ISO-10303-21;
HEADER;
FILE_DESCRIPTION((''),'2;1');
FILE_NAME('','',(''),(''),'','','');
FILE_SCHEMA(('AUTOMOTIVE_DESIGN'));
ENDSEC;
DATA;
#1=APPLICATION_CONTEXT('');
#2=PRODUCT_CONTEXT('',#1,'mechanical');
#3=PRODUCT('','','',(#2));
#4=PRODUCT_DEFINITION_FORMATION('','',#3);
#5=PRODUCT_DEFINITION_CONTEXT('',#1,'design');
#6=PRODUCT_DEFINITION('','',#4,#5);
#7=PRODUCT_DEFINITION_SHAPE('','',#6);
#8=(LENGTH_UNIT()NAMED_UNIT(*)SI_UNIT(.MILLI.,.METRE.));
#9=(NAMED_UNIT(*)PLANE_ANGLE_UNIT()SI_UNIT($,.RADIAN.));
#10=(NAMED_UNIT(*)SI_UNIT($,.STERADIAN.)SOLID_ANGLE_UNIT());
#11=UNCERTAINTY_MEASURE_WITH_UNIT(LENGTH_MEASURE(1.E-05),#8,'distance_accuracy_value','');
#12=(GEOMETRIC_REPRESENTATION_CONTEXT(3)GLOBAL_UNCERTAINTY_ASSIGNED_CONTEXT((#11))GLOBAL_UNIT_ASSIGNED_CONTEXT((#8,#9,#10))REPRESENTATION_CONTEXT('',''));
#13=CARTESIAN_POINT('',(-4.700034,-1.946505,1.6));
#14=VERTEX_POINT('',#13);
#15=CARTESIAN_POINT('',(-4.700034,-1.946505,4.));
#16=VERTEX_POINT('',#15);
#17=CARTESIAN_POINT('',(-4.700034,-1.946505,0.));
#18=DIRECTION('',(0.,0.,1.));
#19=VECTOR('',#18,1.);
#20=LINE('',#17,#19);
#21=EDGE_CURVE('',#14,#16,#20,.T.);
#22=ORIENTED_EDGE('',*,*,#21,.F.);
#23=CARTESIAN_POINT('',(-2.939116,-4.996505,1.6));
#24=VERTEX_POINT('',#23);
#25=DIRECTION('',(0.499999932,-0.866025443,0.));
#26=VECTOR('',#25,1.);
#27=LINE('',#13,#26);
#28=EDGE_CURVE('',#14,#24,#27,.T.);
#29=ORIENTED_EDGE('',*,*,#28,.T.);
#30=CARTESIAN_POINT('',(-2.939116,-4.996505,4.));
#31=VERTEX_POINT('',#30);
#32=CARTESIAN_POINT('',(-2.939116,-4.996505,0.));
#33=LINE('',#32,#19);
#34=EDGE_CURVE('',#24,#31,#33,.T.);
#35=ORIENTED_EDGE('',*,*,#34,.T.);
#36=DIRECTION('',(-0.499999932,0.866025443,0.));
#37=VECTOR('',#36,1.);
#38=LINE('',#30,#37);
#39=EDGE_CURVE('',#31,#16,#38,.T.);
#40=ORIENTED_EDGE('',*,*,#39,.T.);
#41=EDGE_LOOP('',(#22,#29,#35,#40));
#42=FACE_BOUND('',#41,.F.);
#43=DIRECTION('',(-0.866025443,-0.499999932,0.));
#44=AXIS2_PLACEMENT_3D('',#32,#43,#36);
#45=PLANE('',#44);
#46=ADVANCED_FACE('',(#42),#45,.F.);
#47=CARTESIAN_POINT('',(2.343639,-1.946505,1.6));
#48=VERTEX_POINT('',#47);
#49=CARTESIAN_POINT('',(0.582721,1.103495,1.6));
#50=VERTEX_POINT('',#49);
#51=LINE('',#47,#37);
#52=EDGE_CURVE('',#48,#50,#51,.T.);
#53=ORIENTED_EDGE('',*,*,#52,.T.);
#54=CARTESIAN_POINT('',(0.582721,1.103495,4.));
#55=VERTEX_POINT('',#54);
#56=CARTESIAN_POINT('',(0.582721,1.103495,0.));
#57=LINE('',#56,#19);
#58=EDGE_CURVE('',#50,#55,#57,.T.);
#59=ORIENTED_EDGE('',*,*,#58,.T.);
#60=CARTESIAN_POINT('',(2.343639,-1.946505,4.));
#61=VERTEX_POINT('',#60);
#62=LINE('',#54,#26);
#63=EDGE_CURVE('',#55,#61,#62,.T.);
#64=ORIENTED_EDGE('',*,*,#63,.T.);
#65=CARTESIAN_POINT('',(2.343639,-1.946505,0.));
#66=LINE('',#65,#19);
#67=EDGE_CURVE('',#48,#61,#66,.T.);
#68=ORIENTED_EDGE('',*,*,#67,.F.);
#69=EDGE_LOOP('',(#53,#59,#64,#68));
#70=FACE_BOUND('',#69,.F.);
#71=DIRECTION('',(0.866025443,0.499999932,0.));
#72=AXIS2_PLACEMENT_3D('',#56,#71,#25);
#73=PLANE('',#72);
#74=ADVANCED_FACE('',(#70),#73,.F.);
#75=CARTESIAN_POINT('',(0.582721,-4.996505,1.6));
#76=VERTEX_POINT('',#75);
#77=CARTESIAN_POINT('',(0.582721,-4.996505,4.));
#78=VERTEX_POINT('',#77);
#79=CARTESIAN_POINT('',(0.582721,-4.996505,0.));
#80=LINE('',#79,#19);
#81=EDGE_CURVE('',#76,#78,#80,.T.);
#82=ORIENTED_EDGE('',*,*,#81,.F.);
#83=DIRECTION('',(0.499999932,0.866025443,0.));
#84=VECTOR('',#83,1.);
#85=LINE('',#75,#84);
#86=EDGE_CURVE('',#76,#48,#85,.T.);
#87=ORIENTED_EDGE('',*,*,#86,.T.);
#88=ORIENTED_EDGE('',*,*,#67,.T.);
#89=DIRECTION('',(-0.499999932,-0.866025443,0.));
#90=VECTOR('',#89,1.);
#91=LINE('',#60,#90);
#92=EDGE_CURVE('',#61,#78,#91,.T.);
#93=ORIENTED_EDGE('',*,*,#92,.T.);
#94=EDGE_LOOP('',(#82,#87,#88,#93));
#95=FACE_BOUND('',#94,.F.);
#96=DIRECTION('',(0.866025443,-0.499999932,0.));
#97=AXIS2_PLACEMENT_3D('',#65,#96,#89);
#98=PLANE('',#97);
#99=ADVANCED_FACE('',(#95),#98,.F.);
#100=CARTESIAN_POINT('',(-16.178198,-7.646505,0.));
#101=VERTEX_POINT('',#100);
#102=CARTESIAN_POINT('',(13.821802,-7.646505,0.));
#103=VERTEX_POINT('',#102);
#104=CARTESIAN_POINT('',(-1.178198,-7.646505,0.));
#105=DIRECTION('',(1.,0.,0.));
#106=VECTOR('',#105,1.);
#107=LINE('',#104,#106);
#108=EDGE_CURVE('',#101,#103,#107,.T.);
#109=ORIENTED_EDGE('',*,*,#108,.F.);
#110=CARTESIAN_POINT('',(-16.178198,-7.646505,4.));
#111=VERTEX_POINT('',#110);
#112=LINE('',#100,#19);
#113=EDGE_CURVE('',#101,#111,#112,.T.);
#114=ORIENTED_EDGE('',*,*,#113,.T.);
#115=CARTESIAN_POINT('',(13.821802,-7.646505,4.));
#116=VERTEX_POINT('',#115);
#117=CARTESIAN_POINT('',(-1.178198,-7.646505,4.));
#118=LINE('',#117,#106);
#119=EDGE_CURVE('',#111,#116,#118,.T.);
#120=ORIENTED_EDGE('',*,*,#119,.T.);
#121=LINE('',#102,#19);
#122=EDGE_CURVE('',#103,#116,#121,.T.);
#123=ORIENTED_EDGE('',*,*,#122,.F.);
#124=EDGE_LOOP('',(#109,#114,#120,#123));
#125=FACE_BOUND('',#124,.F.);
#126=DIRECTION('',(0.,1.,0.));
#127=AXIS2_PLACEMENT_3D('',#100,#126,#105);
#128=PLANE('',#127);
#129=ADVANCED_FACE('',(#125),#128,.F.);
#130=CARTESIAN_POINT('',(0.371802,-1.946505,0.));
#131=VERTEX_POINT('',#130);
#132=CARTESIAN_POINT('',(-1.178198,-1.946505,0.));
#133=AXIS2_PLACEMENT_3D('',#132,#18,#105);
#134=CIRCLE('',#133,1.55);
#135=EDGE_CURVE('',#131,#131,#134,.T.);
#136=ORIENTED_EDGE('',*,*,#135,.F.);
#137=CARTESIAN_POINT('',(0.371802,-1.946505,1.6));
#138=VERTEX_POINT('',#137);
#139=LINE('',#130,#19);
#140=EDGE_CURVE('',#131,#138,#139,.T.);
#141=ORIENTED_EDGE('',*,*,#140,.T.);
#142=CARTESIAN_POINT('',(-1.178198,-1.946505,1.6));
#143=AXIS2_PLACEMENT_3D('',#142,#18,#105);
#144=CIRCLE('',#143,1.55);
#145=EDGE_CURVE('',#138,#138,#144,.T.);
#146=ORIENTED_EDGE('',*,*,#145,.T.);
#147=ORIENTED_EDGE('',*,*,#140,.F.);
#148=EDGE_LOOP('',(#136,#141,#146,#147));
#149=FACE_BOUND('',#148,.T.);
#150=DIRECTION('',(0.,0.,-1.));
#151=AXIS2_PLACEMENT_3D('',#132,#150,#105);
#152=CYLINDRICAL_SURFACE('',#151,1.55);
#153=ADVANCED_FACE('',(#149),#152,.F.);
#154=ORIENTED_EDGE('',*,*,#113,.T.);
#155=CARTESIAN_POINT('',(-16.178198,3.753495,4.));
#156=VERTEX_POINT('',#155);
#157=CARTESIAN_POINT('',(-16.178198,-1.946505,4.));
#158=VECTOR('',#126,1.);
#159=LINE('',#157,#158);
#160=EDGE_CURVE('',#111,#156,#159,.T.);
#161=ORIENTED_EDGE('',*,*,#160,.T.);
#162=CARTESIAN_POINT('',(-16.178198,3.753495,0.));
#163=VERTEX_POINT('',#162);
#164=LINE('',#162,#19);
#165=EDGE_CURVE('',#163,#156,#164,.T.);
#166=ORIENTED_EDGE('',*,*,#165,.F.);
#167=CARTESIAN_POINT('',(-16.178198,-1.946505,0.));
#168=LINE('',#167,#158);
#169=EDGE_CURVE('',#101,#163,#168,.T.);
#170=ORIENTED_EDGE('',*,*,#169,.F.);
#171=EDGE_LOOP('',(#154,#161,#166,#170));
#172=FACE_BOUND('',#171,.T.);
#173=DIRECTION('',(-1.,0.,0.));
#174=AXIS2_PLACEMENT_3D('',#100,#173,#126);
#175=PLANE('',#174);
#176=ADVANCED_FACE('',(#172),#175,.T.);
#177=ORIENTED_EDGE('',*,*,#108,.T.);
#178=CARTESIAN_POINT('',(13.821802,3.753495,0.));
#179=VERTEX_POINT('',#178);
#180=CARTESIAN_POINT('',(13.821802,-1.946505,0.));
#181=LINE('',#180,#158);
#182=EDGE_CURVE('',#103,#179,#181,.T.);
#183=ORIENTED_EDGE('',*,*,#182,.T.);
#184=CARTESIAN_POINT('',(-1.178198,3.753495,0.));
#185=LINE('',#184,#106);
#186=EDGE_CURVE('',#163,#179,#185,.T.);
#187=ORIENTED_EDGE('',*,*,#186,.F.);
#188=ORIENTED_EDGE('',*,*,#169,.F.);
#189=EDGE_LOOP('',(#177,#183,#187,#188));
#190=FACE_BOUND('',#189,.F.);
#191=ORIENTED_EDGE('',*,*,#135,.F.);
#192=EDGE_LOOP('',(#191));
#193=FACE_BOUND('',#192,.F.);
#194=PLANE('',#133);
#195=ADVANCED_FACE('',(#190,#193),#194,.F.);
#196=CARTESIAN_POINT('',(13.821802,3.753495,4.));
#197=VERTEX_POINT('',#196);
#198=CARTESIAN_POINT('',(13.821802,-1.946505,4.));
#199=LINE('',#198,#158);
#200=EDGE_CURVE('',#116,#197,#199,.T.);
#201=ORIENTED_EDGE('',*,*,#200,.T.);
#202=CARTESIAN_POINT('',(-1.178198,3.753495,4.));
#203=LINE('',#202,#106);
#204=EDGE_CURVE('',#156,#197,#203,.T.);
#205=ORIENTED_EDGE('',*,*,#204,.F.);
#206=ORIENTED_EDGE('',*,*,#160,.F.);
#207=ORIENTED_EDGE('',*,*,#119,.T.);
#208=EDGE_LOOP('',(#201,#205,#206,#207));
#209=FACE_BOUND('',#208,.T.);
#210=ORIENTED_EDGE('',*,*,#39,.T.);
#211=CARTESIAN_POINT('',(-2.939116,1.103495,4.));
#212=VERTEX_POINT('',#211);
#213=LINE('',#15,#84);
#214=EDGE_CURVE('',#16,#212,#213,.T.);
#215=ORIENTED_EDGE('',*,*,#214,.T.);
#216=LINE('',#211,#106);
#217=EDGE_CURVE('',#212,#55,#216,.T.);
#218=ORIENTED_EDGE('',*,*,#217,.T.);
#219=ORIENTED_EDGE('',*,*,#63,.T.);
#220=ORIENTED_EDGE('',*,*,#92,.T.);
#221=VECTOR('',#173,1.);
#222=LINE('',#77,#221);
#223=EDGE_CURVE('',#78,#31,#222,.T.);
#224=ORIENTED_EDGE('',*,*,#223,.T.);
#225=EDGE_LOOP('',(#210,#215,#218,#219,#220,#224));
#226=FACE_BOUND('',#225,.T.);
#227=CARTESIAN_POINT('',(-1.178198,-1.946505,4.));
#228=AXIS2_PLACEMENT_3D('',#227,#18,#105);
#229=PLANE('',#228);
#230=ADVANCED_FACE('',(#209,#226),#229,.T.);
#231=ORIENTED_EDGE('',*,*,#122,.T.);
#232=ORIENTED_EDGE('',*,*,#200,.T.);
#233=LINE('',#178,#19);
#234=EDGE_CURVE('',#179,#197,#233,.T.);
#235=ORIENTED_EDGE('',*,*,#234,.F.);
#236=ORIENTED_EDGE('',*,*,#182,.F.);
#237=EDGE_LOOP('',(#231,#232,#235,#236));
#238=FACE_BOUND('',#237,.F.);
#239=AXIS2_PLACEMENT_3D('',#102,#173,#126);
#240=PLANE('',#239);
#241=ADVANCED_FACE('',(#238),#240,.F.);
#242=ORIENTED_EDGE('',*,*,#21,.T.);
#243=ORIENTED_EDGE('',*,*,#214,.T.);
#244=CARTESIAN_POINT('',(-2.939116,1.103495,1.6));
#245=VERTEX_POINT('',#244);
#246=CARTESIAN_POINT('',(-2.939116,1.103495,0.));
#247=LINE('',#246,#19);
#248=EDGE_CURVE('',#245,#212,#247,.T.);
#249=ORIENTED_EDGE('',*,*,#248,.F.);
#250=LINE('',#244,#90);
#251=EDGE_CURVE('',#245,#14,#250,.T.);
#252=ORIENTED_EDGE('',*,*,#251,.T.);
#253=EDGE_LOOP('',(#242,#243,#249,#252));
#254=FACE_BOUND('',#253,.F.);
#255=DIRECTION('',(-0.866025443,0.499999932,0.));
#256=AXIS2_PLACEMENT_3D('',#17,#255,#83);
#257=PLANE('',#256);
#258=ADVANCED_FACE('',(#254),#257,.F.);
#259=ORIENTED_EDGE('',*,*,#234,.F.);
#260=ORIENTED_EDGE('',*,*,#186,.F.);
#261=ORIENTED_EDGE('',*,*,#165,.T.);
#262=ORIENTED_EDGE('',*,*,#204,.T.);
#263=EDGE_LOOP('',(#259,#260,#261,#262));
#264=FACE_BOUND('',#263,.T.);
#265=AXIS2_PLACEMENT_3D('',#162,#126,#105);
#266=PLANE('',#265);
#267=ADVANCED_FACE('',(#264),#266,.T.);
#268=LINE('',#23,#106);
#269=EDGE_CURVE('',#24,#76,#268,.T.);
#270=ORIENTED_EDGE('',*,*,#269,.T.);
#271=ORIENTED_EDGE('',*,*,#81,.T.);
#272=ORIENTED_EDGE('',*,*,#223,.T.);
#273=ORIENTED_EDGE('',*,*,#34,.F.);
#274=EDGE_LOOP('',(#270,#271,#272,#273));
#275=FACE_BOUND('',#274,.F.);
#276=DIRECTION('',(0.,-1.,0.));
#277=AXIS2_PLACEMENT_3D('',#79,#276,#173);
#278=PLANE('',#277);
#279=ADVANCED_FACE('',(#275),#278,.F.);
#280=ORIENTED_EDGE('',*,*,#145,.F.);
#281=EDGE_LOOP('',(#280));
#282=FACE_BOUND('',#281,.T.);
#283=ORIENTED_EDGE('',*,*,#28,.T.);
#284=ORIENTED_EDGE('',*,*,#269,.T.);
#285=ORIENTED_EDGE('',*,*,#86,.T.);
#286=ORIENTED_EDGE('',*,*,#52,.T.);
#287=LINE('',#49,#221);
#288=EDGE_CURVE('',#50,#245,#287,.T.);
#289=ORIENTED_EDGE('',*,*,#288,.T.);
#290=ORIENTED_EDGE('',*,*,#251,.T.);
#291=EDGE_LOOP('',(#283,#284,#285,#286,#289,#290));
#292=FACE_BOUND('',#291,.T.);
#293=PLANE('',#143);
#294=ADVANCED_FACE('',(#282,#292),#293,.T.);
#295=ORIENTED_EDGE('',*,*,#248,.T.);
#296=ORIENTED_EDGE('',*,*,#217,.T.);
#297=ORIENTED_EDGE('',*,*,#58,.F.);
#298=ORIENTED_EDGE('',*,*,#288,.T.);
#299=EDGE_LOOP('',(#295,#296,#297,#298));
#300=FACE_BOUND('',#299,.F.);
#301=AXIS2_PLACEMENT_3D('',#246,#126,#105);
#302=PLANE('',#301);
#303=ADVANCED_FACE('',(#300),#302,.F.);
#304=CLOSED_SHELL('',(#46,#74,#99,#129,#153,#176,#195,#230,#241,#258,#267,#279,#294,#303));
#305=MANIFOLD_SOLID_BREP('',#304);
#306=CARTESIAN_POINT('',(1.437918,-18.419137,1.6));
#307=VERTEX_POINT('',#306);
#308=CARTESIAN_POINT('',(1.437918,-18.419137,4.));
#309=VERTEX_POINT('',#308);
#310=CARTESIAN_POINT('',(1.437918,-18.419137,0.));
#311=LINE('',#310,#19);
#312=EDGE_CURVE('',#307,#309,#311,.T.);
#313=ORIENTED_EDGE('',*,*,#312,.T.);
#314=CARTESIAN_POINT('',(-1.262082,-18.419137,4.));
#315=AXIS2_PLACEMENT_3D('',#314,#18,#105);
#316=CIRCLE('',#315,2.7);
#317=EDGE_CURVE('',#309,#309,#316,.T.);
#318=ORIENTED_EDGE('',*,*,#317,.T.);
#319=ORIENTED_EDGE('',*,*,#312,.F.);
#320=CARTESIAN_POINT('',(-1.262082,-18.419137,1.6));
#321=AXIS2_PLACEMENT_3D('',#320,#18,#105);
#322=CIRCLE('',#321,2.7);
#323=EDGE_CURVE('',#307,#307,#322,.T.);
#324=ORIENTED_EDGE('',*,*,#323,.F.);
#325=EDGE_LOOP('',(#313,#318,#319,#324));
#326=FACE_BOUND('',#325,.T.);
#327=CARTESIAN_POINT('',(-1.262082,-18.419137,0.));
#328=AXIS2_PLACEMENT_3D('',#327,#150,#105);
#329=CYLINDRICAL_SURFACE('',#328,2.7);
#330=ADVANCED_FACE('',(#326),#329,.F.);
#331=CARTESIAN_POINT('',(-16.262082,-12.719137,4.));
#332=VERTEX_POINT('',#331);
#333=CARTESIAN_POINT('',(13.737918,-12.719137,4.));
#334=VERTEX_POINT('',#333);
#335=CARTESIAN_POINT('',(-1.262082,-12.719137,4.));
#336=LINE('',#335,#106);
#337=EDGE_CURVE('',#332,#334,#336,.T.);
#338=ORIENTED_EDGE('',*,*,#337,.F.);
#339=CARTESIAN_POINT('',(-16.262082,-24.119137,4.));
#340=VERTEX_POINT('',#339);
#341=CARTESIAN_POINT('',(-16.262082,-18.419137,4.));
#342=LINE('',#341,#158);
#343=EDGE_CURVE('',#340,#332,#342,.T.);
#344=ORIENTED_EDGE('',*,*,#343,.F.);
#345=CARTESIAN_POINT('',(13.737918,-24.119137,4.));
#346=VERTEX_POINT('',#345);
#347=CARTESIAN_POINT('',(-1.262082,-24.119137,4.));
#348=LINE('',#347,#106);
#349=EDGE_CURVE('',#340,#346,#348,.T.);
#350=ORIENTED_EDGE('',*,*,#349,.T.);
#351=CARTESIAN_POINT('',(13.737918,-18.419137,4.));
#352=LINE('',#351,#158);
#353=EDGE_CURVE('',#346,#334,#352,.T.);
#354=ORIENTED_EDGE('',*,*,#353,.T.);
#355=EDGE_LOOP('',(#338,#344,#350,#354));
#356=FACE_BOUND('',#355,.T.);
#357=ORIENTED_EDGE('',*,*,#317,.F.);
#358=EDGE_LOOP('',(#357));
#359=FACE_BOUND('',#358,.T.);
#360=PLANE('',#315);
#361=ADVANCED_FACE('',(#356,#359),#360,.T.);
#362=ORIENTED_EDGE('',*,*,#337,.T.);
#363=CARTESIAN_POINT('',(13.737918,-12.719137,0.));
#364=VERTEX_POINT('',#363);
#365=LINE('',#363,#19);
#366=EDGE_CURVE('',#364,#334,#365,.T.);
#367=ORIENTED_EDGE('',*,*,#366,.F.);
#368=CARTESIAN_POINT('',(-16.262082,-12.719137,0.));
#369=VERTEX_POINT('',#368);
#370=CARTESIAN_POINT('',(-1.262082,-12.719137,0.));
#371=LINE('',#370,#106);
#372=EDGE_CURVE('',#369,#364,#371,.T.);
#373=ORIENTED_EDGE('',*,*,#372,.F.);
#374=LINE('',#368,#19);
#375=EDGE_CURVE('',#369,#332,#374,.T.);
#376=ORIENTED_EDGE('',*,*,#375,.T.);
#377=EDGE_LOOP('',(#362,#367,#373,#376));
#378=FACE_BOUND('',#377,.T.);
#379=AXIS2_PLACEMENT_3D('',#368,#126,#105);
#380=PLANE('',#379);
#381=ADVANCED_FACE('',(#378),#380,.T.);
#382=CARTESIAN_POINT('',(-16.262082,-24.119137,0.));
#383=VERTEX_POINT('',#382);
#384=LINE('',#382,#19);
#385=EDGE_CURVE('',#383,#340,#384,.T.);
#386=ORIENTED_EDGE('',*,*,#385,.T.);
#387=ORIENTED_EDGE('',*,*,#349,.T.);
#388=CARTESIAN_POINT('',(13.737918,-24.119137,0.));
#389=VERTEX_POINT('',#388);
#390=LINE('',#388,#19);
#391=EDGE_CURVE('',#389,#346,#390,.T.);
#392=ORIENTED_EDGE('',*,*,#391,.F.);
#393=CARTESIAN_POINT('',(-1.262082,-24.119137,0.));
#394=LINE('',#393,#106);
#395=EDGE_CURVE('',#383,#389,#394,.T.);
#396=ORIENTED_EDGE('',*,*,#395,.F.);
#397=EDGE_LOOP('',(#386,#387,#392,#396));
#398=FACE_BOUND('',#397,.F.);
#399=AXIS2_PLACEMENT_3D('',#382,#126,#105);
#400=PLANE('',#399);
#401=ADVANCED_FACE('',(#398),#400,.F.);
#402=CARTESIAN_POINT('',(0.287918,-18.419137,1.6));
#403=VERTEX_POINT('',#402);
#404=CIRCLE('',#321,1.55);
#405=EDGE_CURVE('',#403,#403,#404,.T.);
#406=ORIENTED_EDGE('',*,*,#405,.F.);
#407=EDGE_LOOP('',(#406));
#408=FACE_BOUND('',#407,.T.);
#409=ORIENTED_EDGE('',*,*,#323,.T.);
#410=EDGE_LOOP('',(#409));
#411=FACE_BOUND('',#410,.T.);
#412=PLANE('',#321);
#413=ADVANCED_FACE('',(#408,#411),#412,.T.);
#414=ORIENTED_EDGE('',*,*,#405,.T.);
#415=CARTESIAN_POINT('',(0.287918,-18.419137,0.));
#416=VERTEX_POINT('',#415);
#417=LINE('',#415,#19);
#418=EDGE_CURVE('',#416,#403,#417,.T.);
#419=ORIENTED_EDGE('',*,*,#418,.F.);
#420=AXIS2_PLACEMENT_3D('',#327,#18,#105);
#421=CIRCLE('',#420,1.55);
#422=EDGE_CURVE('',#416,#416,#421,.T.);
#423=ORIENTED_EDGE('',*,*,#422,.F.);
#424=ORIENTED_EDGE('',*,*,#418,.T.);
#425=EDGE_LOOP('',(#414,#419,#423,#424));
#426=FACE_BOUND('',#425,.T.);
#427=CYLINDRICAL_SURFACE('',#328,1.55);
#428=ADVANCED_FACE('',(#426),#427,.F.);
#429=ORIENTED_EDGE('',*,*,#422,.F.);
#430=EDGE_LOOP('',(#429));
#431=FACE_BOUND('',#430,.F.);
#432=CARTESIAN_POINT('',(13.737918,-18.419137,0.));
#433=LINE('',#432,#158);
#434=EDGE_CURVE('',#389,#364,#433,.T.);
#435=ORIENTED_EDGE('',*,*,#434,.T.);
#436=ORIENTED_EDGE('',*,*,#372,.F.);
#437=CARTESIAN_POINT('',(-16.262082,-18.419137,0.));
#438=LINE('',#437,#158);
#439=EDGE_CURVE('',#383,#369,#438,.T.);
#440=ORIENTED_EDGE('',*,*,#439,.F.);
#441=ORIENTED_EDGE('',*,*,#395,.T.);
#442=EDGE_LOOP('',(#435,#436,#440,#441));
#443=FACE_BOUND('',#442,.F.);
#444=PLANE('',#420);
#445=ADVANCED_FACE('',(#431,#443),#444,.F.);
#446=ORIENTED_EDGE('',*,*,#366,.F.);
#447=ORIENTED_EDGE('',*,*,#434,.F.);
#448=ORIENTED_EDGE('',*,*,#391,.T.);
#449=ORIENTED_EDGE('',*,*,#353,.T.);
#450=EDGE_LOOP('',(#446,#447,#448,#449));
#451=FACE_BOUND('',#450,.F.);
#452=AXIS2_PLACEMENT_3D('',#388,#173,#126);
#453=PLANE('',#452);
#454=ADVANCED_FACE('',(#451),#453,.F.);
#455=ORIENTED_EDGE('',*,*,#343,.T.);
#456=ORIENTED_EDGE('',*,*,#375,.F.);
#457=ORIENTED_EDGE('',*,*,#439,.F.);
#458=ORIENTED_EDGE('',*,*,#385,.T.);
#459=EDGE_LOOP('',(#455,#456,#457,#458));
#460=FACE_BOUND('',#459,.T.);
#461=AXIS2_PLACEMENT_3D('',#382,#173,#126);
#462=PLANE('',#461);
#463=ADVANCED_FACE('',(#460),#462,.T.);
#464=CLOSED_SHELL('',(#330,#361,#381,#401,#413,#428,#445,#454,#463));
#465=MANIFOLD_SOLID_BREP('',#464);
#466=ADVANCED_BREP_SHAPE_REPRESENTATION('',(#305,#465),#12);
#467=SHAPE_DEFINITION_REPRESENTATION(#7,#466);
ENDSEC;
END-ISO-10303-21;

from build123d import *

# Parameters (mm, degrees)
F0_W     = 30
F0_H     = 11.4
F0_R     = 2.7
F1_DEPTH = 4
F0_R_2   = 1.55
F2_DEPTH = 1.6


with BuildPart() as f1:
    # F0 (on Top) → F1 (new body)
    with BuildSketch(Plane.XY):
        with Locations((-1.178198, -1.946505)):
            Rectangle(F0_W, F0_H)
        Polygon((2.343639, -1.946505), (0.582721, -4.996505), (-2.939116, -4.996505), (-4.700034, -1.946505), (-2.939116, 1.103495), (0.582721, 1.103495), align=None, mode=Mode.SUBTRACT)
        with Locations((-1.262082, -18.419137)):
            Rectangle(F0_W, F0_H)
        with Locations((-1.262082, -18.419137)):
            Circle(F0_R, mode=Mode.SUBTRACT)
    extrude(amount=F1_DEPTH)

    # F0 (on Top) → F2 (join)
    with BuildSketch(Plane.XY):
        Polygon((-2.939116, -4.996505), (0.582721, -4.996505), (2.343639, -1.946505), (0.582721, 1.103495), (-2.939116, 1.103495), (-4.700034, -1.946505), align=None)
        with Locations((-1.178198, -1.946505)):
            Circle(F0_R_2, mode=Mode.SUBTRACT)
        with Locations((-1.262082, -18.419137)):
            Circle(F0_R)
        with Locations((-1.262082, -18.419137)):
            Circle(F0_R_2, mode=Mode.SUBTRACT)
    extrude(amount=F2_DEPTH)


solid = f1.part
